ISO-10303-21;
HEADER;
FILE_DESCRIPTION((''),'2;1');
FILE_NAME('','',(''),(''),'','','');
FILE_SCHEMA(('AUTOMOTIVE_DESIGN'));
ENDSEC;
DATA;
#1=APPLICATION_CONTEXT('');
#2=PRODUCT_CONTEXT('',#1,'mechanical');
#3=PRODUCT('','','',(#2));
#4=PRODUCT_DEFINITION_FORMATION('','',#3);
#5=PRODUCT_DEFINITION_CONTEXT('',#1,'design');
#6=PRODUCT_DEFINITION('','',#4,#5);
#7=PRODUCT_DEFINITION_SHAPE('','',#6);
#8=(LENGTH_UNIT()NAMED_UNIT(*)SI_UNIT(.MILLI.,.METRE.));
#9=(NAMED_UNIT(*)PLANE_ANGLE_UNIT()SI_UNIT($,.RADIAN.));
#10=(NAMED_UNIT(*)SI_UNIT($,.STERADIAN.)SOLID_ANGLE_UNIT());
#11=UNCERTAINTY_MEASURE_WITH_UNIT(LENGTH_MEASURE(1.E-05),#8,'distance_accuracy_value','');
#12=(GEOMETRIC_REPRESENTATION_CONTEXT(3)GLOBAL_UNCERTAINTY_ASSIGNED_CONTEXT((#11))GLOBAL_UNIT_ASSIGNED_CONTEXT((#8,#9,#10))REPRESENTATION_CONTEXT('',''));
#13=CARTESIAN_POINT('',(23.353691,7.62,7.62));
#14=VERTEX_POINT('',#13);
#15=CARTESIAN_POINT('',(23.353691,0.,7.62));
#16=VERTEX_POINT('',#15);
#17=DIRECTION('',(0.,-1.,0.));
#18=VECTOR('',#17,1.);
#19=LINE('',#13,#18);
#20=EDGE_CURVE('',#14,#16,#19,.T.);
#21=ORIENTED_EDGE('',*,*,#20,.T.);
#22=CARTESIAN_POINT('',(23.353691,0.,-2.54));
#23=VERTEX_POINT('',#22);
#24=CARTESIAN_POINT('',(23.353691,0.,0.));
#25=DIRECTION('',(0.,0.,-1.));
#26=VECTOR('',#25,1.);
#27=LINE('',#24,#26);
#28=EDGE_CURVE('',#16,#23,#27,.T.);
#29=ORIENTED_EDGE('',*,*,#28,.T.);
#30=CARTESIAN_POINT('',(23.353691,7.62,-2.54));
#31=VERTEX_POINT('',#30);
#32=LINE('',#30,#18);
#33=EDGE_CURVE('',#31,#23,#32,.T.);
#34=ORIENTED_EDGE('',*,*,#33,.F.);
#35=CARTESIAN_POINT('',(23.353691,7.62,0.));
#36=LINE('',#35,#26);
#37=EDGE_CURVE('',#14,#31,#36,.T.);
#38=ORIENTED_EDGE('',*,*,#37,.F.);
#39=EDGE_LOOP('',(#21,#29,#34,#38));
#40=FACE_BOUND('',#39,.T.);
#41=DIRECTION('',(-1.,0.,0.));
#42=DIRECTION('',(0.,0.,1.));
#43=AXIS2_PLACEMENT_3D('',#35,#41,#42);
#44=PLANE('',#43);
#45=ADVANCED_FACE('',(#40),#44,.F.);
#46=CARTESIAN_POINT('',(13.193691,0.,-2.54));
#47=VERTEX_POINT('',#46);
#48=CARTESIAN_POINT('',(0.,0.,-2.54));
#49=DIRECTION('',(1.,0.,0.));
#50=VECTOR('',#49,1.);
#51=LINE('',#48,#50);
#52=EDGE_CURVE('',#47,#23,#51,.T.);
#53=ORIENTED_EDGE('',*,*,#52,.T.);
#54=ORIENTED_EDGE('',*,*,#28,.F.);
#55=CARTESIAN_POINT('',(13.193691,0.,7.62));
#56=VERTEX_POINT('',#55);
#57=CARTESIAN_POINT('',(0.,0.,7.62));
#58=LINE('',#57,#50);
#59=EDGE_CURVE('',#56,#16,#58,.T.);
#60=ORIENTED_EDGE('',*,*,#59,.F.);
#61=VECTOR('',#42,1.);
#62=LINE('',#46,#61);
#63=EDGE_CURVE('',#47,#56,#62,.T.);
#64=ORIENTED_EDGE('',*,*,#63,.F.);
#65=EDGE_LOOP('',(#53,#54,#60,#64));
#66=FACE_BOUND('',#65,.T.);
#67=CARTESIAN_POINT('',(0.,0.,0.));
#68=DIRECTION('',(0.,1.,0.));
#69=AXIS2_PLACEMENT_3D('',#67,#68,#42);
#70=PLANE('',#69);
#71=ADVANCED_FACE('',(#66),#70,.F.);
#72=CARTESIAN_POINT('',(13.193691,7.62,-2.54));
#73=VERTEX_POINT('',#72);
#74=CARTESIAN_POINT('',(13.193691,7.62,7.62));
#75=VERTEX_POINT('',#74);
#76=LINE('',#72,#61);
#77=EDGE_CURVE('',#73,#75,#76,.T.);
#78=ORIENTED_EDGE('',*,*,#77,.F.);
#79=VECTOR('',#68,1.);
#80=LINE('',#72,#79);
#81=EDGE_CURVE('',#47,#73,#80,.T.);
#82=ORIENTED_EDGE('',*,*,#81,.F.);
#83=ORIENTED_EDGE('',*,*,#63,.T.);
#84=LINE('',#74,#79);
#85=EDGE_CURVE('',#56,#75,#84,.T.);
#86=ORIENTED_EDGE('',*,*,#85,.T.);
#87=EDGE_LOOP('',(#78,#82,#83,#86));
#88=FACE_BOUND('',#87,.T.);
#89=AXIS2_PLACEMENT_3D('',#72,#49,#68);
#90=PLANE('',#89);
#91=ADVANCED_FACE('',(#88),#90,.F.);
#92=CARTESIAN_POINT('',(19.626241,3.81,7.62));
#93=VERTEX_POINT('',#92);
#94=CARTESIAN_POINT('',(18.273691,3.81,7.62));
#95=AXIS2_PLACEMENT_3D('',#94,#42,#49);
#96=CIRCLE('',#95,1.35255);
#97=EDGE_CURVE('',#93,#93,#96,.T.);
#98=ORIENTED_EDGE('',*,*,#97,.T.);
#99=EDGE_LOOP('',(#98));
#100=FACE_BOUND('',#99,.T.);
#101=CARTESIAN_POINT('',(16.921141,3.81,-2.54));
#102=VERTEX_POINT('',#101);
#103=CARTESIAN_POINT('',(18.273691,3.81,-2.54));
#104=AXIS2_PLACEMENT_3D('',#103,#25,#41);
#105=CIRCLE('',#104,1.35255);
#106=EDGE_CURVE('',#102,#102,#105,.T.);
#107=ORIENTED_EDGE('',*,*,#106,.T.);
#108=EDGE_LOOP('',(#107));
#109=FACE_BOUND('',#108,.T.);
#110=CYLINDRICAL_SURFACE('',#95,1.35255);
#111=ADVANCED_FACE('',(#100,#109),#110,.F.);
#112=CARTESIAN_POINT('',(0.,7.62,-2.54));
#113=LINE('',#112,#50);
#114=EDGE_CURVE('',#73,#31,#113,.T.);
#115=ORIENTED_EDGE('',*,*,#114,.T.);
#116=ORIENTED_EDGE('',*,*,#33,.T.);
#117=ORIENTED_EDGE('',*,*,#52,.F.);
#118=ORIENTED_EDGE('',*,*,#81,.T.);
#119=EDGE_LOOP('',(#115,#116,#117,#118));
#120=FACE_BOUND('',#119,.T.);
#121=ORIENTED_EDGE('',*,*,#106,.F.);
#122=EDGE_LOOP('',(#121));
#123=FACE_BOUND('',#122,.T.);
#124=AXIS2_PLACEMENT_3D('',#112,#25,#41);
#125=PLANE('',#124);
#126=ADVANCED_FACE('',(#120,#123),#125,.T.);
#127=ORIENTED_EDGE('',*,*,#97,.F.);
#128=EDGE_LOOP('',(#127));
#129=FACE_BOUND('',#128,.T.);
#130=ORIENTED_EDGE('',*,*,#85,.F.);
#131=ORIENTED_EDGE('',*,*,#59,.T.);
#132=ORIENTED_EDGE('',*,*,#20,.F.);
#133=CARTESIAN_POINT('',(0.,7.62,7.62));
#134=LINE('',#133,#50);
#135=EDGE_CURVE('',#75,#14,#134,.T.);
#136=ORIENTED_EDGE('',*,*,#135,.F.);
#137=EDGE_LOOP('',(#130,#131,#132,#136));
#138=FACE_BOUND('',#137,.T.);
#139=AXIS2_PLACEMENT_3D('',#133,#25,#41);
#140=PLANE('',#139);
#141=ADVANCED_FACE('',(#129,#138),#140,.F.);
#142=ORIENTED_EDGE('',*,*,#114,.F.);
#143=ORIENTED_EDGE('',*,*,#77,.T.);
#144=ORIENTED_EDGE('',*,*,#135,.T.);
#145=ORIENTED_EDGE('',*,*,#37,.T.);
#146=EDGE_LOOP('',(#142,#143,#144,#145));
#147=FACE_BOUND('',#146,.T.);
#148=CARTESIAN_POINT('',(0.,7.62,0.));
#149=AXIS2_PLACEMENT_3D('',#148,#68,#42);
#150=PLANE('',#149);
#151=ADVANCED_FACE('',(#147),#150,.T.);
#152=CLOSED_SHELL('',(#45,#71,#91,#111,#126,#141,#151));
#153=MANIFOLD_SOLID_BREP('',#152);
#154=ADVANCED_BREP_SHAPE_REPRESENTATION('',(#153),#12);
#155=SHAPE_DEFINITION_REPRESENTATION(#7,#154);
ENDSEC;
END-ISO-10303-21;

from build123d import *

# Parameters (mm, degrees)
SKETCH1_W             = 12.7
SKETCH1_H             = 10.16
BOSS_EXTRUDE1_DEPTH   = 7.62
SKETCH11_W            = 2.54
SKETCH11_H            = 7.62
CUT_EXTRUDE1_DEPTH    = 27.583545687
F_6_32_TAPPED_HOLE1_D = 2.7051


with BuildPart() as part:
    # Sketch1 → Boss-Extrude1 (new body)
    with BuildSketch(Plane(origin=(0, 0, 0), x_dir=(1, 0, 0), z_dir=(0, 1, 0))):
        with Locations((17.003691385, -2.54)):
            Rectangle(SKETCH1_W, SKETCH1_H)
    extrude(amount=BOSS_EXTRUDE1_DEPTH)

    # Sketch11 → Cut-Extrude1 (cut, through all)
    with BuildSketch(Plane.XY.offset(7.62)):
        with Locations((11.923691385, 3.81)):
            Rectangle(SKETCH11_W, SKETCH11_H)
    extrude(amount=-CUT_EXTRUDE1_DEPTH, mode=Mode.SUBTRACT)

    # #6-32 Tapped Hole1 (through all)
    with Locations(Plane.XY.offset(7.62)):
        with Locations((18.273691385, 3.81)):
            Hole(F_6_32_TAPPED_HOLE1_D / 2)


solid = part.part
